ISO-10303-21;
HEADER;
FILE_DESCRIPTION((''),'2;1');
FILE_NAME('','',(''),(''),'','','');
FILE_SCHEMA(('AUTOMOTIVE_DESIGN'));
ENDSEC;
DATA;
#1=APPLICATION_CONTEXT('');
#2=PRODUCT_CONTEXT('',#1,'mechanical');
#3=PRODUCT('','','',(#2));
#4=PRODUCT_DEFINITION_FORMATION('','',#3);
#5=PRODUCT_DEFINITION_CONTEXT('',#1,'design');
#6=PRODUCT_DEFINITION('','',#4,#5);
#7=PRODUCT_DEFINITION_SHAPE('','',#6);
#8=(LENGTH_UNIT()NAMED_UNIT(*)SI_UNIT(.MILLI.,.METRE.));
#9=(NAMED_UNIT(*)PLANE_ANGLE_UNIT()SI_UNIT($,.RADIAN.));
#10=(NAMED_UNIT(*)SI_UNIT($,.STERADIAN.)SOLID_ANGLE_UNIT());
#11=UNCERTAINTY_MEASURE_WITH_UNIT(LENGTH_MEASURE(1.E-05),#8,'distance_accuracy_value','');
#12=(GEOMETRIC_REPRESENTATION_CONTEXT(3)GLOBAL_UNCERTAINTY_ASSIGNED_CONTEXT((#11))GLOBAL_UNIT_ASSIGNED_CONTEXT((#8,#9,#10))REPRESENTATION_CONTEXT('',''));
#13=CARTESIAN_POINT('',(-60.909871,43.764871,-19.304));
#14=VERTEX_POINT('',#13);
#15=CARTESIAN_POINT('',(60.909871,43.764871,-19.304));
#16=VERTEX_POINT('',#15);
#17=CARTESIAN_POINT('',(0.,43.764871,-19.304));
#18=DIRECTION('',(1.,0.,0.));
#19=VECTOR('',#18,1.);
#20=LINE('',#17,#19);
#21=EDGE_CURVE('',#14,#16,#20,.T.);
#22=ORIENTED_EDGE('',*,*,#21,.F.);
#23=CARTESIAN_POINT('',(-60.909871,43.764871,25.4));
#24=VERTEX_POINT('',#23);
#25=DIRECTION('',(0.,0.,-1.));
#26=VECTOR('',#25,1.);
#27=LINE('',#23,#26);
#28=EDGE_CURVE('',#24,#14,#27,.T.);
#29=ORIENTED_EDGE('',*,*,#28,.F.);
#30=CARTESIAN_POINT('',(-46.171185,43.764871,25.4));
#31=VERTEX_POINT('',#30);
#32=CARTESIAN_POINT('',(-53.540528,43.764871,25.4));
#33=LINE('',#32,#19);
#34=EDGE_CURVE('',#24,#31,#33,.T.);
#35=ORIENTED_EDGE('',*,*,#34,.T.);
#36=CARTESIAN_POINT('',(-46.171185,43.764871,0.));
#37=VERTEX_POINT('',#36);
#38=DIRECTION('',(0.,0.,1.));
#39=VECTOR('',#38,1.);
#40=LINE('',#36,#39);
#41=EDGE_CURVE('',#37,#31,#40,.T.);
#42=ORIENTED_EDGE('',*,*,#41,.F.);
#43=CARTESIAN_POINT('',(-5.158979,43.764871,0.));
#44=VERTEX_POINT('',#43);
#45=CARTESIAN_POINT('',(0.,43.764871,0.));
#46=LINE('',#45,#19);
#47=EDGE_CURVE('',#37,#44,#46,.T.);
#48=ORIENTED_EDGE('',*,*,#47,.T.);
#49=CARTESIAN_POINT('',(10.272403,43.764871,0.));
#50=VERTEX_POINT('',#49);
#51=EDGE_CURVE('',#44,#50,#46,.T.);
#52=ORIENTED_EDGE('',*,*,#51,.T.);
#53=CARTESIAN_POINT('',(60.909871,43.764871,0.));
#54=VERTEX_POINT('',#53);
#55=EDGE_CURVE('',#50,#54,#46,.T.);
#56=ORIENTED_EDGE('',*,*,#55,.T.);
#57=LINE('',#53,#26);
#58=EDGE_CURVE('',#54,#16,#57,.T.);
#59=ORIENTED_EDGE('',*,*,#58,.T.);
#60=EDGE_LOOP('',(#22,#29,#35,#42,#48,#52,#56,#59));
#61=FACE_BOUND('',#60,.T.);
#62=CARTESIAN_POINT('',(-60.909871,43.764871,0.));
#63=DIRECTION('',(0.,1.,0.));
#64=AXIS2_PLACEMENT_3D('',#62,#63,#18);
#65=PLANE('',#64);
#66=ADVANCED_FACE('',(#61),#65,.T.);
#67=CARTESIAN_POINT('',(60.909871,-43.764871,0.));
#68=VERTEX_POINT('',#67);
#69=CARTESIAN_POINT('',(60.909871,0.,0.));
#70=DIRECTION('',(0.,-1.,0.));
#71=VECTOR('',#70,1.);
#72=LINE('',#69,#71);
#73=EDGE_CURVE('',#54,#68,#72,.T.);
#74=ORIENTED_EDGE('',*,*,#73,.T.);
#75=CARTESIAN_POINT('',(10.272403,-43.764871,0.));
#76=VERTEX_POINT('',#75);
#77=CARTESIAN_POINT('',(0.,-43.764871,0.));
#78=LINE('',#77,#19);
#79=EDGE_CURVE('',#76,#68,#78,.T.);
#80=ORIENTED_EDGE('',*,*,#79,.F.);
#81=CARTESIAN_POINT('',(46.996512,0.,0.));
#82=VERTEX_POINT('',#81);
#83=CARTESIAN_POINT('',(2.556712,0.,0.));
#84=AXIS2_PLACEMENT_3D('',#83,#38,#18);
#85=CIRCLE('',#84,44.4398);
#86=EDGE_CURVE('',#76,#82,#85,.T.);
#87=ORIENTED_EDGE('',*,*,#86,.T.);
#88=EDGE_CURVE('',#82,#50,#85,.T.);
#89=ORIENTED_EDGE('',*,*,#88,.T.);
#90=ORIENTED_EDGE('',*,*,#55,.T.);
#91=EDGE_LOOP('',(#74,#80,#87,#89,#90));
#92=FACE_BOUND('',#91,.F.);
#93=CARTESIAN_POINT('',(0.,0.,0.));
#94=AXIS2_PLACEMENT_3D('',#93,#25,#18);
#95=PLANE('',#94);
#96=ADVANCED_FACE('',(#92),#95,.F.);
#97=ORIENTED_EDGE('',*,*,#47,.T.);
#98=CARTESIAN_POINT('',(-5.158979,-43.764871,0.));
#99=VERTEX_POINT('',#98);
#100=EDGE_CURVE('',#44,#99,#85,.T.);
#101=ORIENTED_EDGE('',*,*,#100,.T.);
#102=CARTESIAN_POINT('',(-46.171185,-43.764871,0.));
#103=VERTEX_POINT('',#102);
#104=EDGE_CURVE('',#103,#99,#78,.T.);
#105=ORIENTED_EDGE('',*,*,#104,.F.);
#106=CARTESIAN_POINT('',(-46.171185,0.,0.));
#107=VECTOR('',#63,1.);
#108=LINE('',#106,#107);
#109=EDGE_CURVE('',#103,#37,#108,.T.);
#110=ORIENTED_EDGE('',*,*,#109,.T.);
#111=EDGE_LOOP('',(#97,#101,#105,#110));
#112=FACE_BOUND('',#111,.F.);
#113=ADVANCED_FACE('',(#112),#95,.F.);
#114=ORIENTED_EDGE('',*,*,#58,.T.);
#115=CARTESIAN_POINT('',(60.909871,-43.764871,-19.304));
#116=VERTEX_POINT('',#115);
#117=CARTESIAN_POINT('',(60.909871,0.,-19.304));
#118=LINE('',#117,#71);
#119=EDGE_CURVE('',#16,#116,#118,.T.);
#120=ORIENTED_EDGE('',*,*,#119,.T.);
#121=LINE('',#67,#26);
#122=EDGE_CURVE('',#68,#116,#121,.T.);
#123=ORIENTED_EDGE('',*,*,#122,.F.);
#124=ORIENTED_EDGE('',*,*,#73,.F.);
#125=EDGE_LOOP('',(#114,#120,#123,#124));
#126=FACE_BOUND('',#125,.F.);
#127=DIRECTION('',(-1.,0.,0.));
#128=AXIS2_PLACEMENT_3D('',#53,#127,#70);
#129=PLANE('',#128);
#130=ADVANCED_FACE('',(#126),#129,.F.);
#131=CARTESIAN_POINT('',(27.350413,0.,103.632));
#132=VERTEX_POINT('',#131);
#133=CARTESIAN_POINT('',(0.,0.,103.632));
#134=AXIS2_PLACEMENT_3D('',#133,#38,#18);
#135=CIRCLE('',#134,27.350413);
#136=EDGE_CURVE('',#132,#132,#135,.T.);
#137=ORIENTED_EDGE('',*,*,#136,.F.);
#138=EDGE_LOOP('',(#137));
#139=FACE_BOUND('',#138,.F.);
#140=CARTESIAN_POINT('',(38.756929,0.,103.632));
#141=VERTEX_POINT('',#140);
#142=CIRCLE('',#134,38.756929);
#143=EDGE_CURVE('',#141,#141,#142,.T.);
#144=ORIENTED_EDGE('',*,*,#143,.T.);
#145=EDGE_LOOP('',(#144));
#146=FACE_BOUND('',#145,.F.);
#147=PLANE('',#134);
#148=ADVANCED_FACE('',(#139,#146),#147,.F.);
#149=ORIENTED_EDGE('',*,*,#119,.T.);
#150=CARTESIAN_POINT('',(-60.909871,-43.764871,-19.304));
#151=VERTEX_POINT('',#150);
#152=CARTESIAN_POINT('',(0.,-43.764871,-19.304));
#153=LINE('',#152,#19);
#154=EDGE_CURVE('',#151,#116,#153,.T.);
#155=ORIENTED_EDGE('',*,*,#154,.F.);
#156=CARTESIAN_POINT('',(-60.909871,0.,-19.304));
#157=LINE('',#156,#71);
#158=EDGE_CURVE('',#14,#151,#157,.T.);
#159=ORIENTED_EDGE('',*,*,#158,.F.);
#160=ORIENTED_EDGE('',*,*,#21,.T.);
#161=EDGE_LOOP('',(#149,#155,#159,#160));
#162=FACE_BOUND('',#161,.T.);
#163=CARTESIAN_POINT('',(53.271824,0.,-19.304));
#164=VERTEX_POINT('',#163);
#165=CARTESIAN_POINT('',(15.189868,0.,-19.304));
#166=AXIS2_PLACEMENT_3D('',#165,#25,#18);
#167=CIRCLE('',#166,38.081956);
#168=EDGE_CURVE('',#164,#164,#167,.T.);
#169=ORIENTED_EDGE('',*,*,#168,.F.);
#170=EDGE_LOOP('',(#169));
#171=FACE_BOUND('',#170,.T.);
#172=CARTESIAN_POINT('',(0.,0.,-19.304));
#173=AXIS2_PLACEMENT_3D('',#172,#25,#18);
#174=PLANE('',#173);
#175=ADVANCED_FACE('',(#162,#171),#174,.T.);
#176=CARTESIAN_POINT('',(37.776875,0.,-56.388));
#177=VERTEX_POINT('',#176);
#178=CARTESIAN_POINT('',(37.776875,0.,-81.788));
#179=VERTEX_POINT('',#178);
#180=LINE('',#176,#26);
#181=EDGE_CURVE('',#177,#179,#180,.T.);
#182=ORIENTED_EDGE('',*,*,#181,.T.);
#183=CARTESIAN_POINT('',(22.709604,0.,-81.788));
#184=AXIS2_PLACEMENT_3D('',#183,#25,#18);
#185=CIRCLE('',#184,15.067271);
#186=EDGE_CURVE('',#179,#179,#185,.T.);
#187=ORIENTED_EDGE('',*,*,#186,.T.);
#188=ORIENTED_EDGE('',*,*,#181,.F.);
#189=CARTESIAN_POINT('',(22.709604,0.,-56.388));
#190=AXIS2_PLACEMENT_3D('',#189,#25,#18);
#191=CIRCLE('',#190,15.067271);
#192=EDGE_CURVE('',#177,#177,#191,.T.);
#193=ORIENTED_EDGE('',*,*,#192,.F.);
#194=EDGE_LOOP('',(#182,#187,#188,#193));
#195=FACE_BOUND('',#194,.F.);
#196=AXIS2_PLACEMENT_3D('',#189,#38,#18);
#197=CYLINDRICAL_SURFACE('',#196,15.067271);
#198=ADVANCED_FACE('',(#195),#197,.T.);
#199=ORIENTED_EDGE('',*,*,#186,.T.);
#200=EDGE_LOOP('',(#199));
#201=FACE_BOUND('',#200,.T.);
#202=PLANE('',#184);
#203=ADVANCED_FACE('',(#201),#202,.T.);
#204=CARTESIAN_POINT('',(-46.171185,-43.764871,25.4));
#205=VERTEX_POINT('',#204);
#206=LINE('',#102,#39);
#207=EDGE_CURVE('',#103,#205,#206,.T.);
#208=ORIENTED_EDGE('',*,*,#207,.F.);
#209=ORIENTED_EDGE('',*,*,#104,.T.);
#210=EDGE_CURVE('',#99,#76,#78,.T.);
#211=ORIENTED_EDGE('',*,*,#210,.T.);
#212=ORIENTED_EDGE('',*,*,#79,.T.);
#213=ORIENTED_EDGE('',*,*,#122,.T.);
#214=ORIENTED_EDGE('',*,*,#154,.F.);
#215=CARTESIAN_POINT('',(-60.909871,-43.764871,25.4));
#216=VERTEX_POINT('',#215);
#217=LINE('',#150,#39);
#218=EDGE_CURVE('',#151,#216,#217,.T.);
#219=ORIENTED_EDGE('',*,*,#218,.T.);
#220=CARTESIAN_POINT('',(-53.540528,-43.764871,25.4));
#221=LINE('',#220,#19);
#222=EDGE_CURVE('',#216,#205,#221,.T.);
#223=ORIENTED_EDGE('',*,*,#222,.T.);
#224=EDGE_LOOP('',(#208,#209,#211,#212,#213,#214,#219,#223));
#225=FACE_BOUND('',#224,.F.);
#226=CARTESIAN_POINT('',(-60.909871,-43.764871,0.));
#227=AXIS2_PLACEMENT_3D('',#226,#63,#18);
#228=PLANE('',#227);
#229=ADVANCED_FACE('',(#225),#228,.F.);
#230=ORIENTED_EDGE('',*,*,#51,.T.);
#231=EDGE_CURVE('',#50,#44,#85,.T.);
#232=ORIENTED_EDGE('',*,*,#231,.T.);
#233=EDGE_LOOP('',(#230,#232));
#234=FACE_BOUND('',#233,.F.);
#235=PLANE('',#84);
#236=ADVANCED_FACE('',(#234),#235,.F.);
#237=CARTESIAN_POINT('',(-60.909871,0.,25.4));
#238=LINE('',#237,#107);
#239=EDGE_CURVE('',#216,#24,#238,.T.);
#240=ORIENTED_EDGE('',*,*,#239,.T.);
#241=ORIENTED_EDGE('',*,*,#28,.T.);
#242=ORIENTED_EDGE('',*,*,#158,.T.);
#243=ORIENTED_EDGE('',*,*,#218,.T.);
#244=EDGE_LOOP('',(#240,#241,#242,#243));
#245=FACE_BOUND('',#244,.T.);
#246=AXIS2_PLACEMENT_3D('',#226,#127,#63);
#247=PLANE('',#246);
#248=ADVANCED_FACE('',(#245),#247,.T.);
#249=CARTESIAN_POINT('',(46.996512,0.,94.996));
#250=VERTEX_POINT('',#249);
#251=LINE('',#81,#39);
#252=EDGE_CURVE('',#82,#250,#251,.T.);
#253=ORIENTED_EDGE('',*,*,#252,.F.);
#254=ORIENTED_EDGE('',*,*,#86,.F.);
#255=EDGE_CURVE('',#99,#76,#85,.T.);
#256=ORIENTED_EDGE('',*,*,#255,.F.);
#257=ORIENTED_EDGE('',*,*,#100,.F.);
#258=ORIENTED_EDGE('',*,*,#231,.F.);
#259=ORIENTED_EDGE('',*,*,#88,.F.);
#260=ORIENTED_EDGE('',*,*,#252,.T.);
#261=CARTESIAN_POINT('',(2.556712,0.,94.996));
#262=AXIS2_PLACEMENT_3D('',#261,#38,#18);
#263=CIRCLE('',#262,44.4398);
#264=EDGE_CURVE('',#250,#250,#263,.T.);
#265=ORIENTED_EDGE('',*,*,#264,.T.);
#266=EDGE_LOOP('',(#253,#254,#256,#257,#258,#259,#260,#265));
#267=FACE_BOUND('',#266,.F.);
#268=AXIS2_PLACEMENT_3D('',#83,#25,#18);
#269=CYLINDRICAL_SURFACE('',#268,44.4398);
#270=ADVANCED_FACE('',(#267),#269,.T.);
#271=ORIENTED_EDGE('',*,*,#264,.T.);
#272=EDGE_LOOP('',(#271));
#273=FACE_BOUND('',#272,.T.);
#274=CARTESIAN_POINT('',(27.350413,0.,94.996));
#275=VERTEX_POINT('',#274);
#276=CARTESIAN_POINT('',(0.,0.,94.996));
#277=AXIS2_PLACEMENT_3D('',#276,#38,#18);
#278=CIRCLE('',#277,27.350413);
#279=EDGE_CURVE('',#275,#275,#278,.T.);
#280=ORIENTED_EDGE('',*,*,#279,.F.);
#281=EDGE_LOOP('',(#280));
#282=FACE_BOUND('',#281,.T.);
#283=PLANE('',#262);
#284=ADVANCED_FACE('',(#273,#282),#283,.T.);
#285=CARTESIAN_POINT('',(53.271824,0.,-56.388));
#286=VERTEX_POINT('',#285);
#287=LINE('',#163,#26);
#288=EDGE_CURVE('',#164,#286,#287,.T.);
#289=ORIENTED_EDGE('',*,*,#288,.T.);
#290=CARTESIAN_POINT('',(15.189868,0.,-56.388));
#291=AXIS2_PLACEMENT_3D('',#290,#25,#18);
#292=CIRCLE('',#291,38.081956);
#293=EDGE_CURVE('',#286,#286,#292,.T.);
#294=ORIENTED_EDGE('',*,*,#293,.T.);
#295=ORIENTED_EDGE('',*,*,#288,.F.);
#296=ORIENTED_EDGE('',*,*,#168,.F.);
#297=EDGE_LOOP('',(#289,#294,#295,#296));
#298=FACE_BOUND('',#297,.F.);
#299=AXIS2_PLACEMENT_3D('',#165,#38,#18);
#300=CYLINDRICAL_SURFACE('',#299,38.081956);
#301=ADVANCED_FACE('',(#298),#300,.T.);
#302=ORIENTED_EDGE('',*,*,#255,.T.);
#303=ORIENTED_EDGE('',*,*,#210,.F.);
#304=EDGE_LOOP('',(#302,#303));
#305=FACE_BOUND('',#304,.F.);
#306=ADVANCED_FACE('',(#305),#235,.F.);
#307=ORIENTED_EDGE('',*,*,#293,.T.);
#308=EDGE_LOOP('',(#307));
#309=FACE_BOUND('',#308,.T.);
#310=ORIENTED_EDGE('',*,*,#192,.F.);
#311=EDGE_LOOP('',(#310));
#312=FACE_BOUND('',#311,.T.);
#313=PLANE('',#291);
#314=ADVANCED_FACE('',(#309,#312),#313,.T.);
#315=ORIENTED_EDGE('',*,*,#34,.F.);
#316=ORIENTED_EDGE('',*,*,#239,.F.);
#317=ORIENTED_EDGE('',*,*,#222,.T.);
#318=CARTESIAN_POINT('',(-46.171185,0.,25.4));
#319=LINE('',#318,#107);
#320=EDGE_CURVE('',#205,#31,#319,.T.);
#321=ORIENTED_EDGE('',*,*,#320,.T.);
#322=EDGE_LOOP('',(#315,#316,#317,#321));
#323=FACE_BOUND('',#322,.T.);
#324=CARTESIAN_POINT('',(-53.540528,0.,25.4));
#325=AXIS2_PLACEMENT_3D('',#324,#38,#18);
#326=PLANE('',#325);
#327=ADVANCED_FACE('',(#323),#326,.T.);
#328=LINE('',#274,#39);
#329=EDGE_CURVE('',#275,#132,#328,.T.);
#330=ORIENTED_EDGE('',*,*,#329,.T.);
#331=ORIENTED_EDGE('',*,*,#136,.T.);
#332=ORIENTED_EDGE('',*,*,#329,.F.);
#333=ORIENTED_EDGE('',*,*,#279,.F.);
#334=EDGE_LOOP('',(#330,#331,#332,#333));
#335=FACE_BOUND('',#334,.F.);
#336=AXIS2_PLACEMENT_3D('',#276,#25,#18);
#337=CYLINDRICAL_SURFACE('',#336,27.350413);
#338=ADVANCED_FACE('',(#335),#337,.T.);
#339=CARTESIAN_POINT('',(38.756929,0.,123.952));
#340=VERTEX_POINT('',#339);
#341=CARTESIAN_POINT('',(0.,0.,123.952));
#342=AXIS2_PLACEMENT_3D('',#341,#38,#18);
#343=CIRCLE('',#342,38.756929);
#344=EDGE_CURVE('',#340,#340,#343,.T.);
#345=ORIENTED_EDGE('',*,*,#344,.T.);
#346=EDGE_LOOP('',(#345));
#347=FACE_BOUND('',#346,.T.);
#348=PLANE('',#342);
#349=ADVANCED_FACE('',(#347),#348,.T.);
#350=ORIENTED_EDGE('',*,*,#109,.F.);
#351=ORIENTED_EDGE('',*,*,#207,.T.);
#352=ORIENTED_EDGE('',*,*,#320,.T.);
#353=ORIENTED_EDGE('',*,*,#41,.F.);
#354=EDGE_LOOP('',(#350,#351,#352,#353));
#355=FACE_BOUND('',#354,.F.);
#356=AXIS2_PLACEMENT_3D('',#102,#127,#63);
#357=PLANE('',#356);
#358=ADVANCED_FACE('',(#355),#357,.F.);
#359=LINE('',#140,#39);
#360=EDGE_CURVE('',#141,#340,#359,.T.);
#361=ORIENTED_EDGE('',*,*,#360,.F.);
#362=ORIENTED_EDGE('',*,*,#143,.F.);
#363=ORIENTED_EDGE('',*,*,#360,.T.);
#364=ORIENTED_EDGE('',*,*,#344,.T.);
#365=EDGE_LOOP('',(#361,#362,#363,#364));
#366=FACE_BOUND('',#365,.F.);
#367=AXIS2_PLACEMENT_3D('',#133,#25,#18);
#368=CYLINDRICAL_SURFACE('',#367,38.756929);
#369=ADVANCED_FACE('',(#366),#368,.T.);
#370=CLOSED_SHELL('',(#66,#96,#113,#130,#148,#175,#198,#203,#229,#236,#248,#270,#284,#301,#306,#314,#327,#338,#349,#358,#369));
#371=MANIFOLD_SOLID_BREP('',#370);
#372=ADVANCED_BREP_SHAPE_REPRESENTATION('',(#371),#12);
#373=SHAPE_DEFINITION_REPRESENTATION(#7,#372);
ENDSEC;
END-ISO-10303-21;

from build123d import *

# Parameters (mm, degrees)
F0_R      = 44.4398
F1_DEPTH  = 94.996
F2_W      = 121.819742
F2_H      = 87.529742
F3_DEPTH  = 19.304
F4_R      = 38.081956
F5_DEPTH  = 37.084
F6_R      = 15.067271
F7_DEPTH  = 25.4
F8_R      = 27.350413
F9_DEPTH  = 8.636
F10_R     = 38.756929
F11_DEPTH = 20.32
F12_W     = 14.738686
F12_H     = 87.529742
F13_DEPTH = 25.4


with BuildPart() as f1:
    # F0 (on Top) → F1 (new body)
    with BuildSketch(Plane.XY):
        with Locations((2.556712, 0)):
            Circle(F0_R)
    extrude(amount=F1_DEPTH)

    # F2 (on face) → F3 (join)
    with BuildSketch(Plane(origin=(0, 0, 0), x_dir=(1, 0, 0), z_dir=(0, 0, -1))):
        Rectangle(F2_W, F2_H)
    extrude(amount=F3_DEPTH)

    # F4 (on face) → F5 (join)
    with BuildSketch(Plane(origin=(0, 0, -19.304), x_dir=(1, 0, 0), z_dir=(0, 0, -1))):
        with Locations((15.189868, 0)):
            Circle(F4_R)
    extrude(amount=F5_DEPTH)

    # F6 (on face) → F7 (join)
    with BuildSketch(Plane(origin=(0, 0, -56.388), x_dir=(1, 0, 0), z_dir=(0, 0, -1))):
        with Locations((22.709604, 0)):
            Circle(F6_R)
    extrude(amount=F7_DEPTH)

    # F8 (on face) → F9 (join)
    with BuildSketch(Plane.XY.offset(94.996)):
        Circle(F8_R)
    extrude(amount=F9_DEPTH)

    # F10 (on face) → F11 (join)
    with BuildSketch(Plane.XY.offset(103.632)):
        Circle(F10_R)
    extrude(amount=F11_DEPTH)

    # F12 (on face) → F13 (join)
    with BuildSketch(Plane.XY):
        with Locations((-53.540528, 0)):
            Rectangle(F12_W, F12_H)
    extrude(amount=F13_DEPTH)


solid = f1.part
